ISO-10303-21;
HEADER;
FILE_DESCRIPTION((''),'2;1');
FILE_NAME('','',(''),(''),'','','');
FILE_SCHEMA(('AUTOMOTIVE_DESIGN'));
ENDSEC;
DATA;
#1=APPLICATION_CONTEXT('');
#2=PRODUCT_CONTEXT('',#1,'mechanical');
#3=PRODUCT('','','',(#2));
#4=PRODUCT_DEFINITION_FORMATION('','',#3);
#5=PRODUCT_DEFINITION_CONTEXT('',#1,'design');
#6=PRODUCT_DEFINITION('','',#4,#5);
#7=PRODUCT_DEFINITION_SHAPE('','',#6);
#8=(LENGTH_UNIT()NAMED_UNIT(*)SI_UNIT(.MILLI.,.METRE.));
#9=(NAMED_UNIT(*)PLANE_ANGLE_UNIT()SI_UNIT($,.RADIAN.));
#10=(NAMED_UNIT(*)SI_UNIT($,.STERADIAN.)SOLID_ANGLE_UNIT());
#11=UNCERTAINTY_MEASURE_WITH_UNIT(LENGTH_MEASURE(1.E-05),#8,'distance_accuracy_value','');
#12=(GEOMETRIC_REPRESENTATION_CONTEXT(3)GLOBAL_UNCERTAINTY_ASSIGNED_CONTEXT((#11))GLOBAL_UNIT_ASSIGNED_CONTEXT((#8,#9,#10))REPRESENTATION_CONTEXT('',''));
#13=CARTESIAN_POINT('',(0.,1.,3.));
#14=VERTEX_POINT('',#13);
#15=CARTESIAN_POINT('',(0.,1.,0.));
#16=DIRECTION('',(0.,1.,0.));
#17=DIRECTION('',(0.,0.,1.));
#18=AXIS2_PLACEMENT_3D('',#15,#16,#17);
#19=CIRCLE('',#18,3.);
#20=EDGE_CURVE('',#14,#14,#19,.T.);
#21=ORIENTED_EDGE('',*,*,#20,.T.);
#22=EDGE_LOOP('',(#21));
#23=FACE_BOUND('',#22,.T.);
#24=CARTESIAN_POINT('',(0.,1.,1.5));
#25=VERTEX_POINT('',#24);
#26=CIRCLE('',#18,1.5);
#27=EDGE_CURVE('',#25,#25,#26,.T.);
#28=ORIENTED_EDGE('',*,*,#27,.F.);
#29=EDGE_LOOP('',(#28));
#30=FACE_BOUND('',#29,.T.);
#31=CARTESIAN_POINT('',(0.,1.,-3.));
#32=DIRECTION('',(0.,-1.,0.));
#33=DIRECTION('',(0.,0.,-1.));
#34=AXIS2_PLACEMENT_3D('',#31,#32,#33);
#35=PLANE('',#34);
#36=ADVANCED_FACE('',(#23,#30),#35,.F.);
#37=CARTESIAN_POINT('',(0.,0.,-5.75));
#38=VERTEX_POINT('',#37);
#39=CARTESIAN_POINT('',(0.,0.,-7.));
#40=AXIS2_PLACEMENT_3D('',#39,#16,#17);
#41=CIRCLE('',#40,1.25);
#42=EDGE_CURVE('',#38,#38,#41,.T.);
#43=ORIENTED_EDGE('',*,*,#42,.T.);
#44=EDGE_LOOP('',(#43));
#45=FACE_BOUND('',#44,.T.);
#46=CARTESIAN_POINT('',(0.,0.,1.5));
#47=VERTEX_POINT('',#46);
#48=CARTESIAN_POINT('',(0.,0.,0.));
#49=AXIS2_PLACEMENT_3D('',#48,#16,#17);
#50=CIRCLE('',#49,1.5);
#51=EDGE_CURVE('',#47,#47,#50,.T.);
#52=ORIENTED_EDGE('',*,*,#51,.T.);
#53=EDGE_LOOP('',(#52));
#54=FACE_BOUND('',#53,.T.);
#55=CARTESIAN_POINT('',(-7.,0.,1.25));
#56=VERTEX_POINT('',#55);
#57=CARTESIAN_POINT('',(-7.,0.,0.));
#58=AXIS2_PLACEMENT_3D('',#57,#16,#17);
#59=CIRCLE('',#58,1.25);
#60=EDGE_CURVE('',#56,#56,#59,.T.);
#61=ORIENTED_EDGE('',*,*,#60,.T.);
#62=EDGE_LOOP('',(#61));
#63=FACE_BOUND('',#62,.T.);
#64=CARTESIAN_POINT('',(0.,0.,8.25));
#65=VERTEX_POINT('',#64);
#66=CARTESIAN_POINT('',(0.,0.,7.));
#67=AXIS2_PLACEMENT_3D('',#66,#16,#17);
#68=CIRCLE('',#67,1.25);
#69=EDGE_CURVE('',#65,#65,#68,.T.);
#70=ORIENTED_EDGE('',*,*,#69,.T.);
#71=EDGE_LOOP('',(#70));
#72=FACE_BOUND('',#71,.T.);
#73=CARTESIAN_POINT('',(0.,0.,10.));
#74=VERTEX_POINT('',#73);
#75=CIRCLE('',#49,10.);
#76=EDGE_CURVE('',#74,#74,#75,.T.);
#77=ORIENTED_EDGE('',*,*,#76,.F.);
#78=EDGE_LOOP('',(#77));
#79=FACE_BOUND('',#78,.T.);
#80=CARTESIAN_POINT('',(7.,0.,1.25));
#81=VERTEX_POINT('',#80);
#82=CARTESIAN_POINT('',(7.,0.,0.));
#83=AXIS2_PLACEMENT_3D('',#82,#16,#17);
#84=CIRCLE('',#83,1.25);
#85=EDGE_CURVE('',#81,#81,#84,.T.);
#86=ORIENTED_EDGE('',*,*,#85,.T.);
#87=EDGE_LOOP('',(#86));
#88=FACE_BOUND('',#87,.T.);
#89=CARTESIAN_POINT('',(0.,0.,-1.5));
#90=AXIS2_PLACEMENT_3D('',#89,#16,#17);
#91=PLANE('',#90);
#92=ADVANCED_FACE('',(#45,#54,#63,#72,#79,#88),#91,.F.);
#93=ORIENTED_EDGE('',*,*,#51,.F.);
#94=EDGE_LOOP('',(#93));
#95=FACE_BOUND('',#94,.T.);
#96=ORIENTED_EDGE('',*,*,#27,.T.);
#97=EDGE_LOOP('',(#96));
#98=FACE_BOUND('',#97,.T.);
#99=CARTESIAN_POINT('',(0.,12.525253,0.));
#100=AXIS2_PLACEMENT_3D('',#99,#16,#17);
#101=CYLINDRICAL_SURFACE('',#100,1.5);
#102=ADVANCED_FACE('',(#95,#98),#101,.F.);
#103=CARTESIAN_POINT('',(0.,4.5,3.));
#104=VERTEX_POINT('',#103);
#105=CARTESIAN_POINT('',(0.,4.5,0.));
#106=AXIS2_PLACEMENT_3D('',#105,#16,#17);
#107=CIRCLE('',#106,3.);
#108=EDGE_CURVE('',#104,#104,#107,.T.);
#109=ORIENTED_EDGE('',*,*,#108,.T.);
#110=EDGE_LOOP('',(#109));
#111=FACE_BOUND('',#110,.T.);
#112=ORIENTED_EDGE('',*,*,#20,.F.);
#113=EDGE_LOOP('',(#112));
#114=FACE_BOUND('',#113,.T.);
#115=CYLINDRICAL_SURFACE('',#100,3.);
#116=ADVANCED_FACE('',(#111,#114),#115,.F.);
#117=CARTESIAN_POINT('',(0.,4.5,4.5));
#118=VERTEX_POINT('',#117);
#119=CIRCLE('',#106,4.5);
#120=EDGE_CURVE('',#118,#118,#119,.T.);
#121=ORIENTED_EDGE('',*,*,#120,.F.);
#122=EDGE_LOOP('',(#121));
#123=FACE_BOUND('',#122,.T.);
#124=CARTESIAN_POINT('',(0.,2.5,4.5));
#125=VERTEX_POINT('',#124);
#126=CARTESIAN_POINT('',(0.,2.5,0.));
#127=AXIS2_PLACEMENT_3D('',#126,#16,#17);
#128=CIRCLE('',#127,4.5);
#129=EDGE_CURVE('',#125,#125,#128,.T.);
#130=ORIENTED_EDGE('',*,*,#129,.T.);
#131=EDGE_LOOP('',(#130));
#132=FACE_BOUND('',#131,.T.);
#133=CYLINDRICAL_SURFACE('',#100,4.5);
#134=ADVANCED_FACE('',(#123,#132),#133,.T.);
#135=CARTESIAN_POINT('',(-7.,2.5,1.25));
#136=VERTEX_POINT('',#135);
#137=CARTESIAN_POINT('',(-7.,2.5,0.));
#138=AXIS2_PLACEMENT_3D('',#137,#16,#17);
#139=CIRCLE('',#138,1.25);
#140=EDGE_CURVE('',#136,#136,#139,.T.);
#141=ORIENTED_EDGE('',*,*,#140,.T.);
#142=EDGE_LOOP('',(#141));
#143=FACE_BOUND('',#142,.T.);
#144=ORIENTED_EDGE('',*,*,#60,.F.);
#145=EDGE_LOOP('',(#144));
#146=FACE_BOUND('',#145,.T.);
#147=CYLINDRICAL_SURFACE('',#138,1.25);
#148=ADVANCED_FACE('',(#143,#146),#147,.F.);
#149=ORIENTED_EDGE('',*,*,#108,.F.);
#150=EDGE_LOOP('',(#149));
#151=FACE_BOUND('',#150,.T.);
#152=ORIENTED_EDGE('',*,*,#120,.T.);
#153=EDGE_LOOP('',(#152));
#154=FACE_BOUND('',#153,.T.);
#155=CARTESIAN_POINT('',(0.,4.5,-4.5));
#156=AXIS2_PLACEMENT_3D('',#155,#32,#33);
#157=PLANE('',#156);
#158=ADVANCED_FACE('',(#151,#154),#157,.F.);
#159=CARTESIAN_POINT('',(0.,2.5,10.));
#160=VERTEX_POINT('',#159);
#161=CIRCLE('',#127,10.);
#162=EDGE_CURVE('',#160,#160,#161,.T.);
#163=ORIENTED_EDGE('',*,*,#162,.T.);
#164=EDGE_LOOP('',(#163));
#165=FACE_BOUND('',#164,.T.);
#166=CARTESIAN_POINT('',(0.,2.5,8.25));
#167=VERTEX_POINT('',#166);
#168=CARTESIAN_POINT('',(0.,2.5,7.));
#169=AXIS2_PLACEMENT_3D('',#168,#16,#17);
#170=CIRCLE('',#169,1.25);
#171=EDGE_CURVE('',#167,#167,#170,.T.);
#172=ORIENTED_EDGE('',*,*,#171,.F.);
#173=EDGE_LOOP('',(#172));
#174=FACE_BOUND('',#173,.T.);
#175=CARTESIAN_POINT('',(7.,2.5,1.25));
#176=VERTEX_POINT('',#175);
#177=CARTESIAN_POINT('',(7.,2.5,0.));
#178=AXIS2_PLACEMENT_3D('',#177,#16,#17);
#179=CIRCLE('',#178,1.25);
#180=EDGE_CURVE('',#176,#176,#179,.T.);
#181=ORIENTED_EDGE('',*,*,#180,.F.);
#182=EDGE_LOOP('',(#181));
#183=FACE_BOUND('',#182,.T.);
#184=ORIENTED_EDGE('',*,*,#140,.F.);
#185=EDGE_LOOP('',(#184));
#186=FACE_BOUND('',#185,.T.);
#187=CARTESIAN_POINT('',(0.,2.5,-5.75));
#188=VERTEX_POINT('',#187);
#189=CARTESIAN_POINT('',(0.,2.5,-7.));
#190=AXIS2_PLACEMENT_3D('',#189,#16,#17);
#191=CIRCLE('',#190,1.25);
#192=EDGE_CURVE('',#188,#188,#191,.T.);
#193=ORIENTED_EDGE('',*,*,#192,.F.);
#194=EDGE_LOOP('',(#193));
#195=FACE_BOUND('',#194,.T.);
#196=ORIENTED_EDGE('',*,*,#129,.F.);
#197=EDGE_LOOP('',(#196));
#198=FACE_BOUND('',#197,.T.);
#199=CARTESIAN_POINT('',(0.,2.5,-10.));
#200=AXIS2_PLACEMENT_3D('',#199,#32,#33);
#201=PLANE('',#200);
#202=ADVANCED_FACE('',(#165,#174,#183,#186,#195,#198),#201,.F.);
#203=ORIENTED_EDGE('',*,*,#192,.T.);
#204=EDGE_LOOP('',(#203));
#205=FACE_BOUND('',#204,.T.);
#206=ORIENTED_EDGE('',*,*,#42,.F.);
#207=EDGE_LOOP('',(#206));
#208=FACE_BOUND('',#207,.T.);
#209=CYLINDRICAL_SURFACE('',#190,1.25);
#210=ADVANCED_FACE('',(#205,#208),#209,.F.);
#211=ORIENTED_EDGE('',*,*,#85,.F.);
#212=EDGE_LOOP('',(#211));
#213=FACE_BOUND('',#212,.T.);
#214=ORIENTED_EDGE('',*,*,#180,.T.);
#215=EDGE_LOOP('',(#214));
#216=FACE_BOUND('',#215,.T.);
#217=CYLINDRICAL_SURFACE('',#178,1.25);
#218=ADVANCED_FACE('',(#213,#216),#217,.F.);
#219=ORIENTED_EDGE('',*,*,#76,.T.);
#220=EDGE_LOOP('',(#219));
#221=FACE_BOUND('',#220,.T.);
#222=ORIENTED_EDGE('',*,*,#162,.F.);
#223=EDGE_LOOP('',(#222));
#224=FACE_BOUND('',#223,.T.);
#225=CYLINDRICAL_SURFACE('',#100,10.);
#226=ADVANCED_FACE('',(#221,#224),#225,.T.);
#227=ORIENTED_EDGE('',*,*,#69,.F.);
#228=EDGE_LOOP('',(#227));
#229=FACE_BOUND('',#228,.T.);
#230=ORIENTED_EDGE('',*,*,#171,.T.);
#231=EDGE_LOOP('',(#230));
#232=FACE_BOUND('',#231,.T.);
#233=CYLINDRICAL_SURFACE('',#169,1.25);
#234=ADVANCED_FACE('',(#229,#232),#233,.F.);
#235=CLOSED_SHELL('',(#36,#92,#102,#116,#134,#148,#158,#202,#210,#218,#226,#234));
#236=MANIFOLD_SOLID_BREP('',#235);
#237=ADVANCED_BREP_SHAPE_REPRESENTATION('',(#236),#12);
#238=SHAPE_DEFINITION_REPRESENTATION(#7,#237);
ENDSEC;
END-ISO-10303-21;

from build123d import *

# Parameters (mm, degrees)
M3_TAPPED_HOLE1_D = 2.5


with BuildPart() as part:
    # Sketch1 → Revolve1 (revolve)
    with BuildSketch(Plane(origin=(0, 0, 0), x_dir=(0, 0, -1), z_dir=(1, 0, 0)), mode=Mode.PRIVATE) as revolve1_sk:
        Polygon((3, 4.5), (3, 1), (1.5, 1), (1.5, 0), (10, 0), (10, 2.5), (4.5, 2.5), (4.5, 4.5), align=None)
    revolve(revolve1_sk.sketch.rotate(Axis((0, 12.525252525, 0), (0, -1, 0)), 180), axis=Axis((0, 12.525252525, 0), (0, -1, 0)))

    # M3 Tapped Hole1 (through all)
    with Locations(Plane(origin=(0, 2.5, 0), x_dir=(1, 0, 0), z_dir=(0, 1, 0))):
        with Locations((0, 7), (7, 0), (0, -7), (-7, 0)):
            Hole(M3_TAPPED_HOLE1_D / 2)


solid = part.part
